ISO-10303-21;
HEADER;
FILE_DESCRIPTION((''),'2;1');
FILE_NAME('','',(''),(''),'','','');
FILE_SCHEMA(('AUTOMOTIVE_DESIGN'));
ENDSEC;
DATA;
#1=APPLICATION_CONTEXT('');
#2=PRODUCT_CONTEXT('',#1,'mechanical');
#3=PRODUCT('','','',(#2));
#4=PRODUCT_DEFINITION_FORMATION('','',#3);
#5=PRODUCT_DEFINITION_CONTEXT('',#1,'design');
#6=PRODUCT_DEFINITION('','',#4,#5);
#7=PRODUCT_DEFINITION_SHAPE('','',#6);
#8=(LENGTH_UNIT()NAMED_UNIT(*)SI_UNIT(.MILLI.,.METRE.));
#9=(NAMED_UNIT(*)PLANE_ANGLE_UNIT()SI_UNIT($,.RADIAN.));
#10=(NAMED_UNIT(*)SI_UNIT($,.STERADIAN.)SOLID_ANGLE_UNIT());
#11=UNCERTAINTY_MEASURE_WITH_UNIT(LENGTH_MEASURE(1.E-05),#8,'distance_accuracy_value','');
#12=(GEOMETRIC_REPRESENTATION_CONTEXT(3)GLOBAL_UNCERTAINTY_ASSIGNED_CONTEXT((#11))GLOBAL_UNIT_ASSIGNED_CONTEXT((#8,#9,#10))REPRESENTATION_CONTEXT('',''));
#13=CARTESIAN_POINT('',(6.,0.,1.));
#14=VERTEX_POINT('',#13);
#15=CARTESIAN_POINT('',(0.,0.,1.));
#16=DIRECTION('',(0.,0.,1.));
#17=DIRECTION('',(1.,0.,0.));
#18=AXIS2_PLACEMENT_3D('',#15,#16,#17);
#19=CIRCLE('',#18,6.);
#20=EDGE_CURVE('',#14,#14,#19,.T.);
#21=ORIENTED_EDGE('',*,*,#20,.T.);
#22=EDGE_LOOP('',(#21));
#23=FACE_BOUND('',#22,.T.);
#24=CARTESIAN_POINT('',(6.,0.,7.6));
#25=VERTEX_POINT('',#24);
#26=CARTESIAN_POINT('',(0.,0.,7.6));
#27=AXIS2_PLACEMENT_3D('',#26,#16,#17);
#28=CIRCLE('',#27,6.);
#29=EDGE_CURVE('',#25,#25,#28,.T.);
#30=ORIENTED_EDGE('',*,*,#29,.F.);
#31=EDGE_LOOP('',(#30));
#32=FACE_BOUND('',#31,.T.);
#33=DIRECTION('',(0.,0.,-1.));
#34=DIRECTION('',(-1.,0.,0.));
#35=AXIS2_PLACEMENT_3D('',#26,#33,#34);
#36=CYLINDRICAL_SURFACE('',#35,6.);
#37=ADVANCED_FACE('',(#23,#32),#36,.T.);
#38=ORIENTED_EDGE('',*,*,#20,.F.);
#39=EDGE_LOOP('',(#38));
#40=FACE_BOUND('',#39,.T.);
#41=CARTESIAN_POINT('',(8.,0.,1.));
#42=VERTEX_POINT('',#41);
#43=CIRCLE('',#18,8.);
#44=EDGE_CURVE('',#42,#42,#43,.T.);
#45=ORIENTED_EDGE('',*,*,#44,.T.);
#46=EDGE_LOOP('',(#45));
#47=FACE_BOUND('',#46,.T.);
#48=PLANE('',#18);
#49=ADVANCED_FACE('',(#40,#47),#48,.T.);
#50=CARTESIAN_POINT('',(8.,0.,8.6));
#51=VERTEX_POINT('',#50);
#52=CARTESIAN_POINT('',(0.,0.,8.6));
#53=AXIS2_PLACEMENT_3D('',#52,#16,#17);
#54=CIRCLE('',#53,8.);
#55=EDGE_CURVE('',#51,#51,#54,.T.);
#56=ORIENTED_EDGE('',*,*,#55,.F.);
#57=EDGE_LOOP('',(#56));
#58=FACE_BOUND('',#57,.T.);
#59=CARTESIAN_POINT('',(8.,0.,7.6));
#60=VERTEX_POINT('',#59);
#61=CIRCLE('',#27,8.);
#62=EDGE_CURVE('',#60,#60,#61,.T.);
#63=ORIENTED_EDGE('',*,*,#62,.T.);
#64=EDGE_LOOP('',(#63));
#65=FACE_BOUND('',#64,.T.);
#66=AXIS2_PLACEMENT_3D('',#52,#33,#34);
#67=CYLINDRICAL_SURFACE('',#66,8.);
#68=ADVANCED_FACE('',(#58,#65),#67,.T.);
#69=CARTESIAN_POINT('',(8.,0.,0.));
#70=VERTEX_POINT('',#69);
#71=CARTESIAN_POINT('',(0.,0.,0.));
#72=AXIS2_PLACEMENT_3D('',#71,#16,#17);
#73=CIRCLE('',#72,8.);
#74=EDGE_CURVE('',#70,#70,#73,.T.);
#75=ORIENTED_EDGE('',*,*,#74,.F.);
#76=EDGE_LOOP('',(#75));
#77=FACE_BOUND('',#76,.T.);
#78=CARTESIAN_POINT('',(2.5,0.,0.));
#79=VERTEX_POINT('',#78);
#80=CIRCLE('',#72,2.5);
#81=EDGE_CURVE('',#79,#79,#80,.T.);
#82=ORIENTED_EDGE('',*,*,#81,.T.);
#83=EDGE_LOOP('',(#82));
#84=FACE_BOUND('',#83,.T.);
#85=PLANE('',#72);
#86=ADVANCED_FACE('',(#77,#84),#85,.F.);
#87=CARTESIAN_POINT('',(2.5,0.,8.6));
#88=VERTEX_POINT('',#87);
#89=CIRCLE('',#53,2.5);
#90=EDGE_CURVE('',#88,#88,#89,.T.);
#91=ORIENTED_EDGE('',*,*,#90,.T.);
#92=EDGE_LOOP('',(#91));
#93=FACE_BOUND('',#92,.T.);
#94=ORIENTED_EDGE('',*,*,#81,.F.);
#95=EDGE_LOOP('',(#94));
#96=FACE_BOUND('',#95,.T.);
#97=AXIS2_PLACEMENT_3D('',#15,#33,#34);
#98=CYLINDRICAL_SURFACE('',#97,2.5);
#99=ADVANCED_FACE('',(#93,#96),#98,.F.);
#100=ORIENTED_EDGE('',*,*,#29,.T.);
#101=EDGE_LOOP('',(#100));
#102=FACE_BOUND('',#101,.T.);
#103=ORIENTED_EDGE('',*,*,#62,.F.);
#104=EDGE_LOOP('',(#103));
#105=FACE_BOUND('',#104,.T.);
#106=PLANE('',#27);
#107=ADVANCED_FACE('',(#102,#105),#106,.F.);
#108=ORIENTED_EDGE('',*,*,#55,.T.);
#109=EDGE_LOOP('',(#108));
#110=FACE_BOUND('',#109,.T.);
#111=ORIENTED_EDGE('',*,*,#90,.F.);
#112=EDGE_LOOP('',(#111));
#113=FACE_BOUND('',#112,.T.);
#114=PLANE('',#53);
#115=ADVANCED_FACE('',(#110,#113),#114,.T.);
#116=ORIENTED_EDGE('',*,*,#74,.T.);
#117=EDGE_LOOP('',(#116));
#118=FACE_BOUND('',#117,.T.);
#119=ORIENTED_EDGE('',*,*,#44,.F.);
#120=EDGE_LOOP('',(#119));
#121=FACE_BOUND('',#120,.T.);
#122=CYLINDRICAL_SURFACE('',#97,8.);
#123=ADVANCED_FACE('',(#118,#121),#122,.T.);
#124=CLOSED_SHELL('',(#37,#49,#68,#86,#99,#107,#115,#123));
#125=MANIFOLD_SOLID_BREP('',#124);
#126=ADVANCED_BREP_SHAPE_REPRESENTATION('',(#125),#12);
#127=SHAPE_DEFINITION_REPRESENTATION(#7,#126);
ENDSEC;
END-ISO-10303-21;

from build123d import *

# Parameters (mm, degrees)
CROQUIS1_R              = 8
CROQUIS1_R_2            = 2.5
SALIENTE_EXTRUIR1_DEPTH = 1
CROQUIS2_R              = 6
CROQUIS2_R_2            = 2.5
SALIENTE_EXTRUIR2_DEPTH = 6.6
CROQUIS3_R              = 8
CROQUIS3_R_2            = 2.5
SALIENTE_EXTRUIR3_DEPTH = 1


with BuildPart() as part:
    # Croquis1 → Saliente-Extruir1 (new body)
    with BuildSketch(Plane.XY):
        Circle(CROQUIS1_R)
        Circle(CROQUIS1_R_2, mode=Mode.SUBTRACT)
    extrude(amount=SALIENTE_EXTRUIR1_DEPTH)

    # Croquis2 → Saliente-Extruir2 (add)
    with BuildSketch(Plane.XY.offset(1)):
        Circle(CROQUIS2_R)
        Circle(CROQUIS2_R_2, mode=Mode.SUBTRACT)
    extrude(amount=SALIENTE_EXTRUIR2_DEPTH)

    # Croquis3 → Saliente-Extruir3 (add)
    with BuildSketch(Plane.XY.offset(7.6)):
        Circle(CROQUIS3_R)
        Circle(CROQUIS3_R_2, mode=Mode.SUBTRACT)
    extrude(amount=SALIENTE_EXTRUIR3_DEPTH)


solid = part.part
